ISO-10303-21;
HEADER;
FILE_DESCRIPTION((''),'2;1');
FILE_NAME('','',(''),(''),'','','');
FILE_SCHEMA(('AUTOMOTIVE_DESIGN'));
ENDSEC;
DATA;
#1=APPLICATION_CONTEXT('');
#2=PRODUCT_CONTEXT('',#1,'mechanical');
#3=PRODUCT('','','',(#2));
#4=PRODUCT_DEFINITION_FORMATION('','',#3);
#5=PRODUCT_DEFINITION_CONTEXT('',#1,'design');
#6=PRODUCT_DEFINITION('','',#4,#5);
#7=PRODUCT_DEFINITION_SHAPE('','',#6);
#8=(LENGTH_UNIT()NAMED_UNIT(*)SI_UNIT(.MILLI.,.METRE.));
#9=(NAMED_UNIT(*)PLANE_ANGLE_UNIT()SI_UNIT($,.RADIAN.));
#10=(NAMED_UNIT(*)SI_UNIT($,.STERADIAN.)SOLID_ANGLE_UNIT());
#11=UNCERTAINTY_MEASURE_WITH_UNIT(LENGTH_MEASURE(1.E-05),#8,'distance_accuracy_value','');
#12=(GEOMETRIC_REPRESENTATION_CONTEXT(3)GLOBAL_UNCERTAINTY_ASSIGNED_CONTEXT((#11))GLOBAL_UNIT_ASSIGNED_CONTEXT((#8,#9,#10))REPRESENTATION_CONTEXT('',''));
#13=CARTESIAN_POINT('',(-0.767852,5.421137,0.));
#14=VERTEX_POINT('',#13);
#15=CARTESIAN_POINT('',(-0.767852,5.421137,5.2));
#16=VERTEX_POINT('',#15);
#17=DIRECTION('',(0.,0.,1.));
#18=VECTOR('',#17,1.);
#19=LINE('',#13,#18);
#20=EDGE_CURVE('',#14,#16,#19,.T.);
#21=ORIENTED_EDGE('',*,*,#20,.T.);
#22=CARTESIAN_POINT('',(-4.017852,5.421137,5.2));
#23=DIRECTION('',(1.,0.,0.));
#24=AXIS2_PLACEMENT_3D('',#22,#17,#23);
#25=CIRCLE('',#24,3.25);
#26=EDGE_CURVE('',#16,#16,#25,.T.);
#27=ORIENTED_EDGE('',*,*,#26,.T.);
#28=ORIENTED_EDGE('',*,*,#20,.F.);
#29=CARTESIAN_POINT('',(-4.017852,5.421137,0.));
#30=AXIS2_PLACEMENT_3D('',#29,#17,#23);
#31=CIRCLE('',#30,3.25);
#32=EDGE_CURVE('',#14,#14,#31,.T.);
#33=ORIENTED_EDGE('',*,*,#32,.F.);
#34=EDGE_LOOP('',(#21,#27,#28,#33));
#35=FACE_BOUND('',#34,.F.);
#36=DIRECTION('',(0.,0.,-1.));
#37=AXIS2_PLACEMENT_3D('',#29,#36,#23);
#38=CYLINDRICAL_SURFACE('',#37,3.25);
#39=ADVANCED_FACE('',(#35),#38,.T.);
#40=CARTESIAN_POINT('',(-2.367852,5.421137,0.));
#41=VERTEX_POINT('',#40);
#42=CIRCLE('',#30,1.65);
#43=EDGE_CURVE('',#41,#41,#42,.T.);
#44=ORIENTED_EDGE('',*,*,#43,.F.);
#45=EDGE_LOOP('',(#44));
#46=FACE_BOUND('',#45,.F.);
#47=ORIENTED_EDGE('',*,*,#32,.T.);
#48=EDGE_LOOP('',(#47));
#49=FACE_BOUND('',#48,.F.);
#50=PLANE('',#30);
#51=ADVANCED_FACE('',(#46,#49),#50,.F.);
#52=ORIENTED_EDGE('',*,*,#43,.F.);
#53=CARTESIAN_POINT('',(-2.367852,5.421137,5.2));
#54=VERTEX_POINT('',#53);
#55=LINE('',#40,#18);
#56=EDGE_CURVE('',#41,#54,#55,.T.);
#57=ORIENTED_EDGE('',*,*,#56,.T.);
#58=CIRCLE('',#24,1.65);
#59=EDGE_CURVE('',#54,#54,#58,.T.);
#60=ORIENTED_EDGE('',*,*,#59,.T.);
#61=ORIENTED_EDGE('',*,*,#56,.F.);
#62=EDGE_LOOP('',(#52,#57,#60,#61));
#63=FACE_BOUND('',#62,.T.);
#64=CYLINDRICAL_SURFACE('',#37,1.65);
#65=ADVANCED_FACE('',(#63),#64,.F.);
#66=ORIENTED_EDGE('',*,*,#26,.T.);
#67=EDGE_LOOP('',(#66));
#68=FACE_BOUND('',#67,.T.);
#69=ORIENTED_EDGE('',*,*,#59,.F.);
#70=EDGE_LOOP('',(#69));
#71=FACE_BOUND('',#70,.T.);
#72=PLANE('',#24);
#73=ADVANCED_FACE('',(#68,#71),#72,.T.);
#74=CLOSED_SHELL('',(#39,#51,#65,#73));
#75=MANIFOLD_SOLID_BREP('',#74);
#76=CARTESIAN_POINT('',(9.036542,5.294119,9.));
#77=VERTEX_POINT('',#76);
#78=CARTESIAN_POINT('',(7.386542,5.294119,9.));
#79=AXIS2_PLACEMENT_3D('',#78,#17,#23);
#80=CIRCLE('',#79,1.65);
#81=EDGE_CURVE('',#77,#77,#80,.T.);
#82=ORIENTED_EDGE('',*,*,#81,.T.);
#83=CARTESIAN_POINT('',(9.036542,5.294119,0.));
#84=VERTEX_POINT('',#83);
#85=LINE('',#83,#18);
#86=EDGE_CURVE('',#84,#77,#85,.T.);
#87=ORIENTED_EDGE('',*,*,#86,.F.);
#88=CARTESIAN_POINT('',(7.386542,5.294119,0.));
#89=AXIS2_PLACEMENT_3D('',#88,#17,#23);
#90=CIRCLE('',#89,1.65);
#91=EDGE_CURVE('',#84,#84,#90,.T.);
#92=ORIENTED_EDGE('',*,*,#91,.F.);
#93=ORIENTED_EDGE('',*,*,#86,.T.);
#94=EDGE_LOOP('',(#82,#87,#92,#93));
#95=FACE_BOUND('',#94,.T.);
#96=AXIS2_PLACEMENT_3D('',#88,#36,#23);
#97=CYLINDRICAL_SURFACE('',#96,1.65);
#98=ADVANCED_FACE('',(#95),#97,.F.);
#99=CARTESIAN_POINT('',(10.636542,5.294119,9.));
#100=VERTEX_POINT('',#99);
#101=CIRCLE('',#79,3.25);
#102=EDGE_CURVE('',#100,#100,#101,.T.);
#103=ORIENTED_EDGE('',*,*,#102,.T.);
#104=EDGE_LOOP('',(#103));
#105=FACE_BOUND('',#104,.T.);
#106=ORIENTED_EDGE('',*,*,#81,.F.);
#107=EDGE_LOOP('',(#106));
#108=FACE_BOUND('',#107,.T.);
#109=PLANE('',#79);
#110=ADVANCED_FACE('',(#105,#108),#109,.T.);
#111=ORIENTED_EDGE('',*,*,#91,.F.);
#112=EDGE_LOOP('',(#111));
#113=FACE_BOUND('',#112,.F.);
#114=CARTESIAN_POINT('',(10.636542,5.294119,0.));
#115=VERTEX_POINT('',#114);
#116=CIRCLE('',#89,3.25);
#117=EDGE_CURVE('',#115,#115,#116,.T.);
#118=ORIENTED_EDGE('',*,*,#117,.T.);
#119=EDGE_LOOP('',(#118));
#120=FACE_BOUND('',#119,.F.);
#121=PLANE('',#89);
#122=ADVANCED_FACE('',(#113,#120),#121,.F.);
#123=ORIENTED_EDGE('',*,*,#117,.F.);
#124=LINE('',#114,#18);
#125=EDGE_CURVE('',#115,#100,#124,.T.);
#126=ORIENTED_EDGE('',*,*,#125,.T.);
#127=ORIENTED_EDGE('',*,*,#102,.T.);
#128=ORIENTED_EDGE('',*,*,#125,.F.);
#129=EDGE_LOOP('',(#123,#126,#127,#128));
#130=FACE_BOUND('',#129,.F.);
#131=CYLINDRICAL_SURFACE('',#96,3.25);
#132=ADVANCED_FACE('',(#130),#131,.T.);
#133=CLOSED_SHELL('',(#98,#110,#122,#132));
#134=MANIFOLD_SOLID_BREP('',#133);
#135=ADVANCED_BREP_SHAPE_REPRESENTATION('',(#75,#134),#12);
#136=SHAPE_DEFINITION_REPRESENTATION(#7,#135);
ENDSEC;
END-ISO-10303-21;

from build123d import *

# Parameters (mm, degrees)
F2_R     = 3.25
F2_R_2   = 1.65
F3_DEPTH = 5.2
F4_DEPTH = 9


with BuildPart() as f3:
    # F2 (on Top) → F3 (new body)
    with BuildSketch(Plane.XY):
        with Locations((-4.0178522468, 5.4211369716)):
            Circle(F2_R)
        with Locations((-4.0178522468, 5.4211369716)):
            Circle(F2_R_2, mode=Mode.SUBTRACT)
    extrude(amount=F3_DEPTH)


with BuildPart() as f4:
    # F2 (on Top) → F4 (new body)
    with BuildSketch(Plane.XY):
        with Locations((7.386542391, 5.2941194735)):
            Circle(F2_R)
        with Locations((7.386542391, 5.2941194735)):
            Circle(F2_R_2, mode=Mode.SUBTRACT)
    extrude(amount=F4_DEPTH)


solid = Compound([f3.part, f4.part])
